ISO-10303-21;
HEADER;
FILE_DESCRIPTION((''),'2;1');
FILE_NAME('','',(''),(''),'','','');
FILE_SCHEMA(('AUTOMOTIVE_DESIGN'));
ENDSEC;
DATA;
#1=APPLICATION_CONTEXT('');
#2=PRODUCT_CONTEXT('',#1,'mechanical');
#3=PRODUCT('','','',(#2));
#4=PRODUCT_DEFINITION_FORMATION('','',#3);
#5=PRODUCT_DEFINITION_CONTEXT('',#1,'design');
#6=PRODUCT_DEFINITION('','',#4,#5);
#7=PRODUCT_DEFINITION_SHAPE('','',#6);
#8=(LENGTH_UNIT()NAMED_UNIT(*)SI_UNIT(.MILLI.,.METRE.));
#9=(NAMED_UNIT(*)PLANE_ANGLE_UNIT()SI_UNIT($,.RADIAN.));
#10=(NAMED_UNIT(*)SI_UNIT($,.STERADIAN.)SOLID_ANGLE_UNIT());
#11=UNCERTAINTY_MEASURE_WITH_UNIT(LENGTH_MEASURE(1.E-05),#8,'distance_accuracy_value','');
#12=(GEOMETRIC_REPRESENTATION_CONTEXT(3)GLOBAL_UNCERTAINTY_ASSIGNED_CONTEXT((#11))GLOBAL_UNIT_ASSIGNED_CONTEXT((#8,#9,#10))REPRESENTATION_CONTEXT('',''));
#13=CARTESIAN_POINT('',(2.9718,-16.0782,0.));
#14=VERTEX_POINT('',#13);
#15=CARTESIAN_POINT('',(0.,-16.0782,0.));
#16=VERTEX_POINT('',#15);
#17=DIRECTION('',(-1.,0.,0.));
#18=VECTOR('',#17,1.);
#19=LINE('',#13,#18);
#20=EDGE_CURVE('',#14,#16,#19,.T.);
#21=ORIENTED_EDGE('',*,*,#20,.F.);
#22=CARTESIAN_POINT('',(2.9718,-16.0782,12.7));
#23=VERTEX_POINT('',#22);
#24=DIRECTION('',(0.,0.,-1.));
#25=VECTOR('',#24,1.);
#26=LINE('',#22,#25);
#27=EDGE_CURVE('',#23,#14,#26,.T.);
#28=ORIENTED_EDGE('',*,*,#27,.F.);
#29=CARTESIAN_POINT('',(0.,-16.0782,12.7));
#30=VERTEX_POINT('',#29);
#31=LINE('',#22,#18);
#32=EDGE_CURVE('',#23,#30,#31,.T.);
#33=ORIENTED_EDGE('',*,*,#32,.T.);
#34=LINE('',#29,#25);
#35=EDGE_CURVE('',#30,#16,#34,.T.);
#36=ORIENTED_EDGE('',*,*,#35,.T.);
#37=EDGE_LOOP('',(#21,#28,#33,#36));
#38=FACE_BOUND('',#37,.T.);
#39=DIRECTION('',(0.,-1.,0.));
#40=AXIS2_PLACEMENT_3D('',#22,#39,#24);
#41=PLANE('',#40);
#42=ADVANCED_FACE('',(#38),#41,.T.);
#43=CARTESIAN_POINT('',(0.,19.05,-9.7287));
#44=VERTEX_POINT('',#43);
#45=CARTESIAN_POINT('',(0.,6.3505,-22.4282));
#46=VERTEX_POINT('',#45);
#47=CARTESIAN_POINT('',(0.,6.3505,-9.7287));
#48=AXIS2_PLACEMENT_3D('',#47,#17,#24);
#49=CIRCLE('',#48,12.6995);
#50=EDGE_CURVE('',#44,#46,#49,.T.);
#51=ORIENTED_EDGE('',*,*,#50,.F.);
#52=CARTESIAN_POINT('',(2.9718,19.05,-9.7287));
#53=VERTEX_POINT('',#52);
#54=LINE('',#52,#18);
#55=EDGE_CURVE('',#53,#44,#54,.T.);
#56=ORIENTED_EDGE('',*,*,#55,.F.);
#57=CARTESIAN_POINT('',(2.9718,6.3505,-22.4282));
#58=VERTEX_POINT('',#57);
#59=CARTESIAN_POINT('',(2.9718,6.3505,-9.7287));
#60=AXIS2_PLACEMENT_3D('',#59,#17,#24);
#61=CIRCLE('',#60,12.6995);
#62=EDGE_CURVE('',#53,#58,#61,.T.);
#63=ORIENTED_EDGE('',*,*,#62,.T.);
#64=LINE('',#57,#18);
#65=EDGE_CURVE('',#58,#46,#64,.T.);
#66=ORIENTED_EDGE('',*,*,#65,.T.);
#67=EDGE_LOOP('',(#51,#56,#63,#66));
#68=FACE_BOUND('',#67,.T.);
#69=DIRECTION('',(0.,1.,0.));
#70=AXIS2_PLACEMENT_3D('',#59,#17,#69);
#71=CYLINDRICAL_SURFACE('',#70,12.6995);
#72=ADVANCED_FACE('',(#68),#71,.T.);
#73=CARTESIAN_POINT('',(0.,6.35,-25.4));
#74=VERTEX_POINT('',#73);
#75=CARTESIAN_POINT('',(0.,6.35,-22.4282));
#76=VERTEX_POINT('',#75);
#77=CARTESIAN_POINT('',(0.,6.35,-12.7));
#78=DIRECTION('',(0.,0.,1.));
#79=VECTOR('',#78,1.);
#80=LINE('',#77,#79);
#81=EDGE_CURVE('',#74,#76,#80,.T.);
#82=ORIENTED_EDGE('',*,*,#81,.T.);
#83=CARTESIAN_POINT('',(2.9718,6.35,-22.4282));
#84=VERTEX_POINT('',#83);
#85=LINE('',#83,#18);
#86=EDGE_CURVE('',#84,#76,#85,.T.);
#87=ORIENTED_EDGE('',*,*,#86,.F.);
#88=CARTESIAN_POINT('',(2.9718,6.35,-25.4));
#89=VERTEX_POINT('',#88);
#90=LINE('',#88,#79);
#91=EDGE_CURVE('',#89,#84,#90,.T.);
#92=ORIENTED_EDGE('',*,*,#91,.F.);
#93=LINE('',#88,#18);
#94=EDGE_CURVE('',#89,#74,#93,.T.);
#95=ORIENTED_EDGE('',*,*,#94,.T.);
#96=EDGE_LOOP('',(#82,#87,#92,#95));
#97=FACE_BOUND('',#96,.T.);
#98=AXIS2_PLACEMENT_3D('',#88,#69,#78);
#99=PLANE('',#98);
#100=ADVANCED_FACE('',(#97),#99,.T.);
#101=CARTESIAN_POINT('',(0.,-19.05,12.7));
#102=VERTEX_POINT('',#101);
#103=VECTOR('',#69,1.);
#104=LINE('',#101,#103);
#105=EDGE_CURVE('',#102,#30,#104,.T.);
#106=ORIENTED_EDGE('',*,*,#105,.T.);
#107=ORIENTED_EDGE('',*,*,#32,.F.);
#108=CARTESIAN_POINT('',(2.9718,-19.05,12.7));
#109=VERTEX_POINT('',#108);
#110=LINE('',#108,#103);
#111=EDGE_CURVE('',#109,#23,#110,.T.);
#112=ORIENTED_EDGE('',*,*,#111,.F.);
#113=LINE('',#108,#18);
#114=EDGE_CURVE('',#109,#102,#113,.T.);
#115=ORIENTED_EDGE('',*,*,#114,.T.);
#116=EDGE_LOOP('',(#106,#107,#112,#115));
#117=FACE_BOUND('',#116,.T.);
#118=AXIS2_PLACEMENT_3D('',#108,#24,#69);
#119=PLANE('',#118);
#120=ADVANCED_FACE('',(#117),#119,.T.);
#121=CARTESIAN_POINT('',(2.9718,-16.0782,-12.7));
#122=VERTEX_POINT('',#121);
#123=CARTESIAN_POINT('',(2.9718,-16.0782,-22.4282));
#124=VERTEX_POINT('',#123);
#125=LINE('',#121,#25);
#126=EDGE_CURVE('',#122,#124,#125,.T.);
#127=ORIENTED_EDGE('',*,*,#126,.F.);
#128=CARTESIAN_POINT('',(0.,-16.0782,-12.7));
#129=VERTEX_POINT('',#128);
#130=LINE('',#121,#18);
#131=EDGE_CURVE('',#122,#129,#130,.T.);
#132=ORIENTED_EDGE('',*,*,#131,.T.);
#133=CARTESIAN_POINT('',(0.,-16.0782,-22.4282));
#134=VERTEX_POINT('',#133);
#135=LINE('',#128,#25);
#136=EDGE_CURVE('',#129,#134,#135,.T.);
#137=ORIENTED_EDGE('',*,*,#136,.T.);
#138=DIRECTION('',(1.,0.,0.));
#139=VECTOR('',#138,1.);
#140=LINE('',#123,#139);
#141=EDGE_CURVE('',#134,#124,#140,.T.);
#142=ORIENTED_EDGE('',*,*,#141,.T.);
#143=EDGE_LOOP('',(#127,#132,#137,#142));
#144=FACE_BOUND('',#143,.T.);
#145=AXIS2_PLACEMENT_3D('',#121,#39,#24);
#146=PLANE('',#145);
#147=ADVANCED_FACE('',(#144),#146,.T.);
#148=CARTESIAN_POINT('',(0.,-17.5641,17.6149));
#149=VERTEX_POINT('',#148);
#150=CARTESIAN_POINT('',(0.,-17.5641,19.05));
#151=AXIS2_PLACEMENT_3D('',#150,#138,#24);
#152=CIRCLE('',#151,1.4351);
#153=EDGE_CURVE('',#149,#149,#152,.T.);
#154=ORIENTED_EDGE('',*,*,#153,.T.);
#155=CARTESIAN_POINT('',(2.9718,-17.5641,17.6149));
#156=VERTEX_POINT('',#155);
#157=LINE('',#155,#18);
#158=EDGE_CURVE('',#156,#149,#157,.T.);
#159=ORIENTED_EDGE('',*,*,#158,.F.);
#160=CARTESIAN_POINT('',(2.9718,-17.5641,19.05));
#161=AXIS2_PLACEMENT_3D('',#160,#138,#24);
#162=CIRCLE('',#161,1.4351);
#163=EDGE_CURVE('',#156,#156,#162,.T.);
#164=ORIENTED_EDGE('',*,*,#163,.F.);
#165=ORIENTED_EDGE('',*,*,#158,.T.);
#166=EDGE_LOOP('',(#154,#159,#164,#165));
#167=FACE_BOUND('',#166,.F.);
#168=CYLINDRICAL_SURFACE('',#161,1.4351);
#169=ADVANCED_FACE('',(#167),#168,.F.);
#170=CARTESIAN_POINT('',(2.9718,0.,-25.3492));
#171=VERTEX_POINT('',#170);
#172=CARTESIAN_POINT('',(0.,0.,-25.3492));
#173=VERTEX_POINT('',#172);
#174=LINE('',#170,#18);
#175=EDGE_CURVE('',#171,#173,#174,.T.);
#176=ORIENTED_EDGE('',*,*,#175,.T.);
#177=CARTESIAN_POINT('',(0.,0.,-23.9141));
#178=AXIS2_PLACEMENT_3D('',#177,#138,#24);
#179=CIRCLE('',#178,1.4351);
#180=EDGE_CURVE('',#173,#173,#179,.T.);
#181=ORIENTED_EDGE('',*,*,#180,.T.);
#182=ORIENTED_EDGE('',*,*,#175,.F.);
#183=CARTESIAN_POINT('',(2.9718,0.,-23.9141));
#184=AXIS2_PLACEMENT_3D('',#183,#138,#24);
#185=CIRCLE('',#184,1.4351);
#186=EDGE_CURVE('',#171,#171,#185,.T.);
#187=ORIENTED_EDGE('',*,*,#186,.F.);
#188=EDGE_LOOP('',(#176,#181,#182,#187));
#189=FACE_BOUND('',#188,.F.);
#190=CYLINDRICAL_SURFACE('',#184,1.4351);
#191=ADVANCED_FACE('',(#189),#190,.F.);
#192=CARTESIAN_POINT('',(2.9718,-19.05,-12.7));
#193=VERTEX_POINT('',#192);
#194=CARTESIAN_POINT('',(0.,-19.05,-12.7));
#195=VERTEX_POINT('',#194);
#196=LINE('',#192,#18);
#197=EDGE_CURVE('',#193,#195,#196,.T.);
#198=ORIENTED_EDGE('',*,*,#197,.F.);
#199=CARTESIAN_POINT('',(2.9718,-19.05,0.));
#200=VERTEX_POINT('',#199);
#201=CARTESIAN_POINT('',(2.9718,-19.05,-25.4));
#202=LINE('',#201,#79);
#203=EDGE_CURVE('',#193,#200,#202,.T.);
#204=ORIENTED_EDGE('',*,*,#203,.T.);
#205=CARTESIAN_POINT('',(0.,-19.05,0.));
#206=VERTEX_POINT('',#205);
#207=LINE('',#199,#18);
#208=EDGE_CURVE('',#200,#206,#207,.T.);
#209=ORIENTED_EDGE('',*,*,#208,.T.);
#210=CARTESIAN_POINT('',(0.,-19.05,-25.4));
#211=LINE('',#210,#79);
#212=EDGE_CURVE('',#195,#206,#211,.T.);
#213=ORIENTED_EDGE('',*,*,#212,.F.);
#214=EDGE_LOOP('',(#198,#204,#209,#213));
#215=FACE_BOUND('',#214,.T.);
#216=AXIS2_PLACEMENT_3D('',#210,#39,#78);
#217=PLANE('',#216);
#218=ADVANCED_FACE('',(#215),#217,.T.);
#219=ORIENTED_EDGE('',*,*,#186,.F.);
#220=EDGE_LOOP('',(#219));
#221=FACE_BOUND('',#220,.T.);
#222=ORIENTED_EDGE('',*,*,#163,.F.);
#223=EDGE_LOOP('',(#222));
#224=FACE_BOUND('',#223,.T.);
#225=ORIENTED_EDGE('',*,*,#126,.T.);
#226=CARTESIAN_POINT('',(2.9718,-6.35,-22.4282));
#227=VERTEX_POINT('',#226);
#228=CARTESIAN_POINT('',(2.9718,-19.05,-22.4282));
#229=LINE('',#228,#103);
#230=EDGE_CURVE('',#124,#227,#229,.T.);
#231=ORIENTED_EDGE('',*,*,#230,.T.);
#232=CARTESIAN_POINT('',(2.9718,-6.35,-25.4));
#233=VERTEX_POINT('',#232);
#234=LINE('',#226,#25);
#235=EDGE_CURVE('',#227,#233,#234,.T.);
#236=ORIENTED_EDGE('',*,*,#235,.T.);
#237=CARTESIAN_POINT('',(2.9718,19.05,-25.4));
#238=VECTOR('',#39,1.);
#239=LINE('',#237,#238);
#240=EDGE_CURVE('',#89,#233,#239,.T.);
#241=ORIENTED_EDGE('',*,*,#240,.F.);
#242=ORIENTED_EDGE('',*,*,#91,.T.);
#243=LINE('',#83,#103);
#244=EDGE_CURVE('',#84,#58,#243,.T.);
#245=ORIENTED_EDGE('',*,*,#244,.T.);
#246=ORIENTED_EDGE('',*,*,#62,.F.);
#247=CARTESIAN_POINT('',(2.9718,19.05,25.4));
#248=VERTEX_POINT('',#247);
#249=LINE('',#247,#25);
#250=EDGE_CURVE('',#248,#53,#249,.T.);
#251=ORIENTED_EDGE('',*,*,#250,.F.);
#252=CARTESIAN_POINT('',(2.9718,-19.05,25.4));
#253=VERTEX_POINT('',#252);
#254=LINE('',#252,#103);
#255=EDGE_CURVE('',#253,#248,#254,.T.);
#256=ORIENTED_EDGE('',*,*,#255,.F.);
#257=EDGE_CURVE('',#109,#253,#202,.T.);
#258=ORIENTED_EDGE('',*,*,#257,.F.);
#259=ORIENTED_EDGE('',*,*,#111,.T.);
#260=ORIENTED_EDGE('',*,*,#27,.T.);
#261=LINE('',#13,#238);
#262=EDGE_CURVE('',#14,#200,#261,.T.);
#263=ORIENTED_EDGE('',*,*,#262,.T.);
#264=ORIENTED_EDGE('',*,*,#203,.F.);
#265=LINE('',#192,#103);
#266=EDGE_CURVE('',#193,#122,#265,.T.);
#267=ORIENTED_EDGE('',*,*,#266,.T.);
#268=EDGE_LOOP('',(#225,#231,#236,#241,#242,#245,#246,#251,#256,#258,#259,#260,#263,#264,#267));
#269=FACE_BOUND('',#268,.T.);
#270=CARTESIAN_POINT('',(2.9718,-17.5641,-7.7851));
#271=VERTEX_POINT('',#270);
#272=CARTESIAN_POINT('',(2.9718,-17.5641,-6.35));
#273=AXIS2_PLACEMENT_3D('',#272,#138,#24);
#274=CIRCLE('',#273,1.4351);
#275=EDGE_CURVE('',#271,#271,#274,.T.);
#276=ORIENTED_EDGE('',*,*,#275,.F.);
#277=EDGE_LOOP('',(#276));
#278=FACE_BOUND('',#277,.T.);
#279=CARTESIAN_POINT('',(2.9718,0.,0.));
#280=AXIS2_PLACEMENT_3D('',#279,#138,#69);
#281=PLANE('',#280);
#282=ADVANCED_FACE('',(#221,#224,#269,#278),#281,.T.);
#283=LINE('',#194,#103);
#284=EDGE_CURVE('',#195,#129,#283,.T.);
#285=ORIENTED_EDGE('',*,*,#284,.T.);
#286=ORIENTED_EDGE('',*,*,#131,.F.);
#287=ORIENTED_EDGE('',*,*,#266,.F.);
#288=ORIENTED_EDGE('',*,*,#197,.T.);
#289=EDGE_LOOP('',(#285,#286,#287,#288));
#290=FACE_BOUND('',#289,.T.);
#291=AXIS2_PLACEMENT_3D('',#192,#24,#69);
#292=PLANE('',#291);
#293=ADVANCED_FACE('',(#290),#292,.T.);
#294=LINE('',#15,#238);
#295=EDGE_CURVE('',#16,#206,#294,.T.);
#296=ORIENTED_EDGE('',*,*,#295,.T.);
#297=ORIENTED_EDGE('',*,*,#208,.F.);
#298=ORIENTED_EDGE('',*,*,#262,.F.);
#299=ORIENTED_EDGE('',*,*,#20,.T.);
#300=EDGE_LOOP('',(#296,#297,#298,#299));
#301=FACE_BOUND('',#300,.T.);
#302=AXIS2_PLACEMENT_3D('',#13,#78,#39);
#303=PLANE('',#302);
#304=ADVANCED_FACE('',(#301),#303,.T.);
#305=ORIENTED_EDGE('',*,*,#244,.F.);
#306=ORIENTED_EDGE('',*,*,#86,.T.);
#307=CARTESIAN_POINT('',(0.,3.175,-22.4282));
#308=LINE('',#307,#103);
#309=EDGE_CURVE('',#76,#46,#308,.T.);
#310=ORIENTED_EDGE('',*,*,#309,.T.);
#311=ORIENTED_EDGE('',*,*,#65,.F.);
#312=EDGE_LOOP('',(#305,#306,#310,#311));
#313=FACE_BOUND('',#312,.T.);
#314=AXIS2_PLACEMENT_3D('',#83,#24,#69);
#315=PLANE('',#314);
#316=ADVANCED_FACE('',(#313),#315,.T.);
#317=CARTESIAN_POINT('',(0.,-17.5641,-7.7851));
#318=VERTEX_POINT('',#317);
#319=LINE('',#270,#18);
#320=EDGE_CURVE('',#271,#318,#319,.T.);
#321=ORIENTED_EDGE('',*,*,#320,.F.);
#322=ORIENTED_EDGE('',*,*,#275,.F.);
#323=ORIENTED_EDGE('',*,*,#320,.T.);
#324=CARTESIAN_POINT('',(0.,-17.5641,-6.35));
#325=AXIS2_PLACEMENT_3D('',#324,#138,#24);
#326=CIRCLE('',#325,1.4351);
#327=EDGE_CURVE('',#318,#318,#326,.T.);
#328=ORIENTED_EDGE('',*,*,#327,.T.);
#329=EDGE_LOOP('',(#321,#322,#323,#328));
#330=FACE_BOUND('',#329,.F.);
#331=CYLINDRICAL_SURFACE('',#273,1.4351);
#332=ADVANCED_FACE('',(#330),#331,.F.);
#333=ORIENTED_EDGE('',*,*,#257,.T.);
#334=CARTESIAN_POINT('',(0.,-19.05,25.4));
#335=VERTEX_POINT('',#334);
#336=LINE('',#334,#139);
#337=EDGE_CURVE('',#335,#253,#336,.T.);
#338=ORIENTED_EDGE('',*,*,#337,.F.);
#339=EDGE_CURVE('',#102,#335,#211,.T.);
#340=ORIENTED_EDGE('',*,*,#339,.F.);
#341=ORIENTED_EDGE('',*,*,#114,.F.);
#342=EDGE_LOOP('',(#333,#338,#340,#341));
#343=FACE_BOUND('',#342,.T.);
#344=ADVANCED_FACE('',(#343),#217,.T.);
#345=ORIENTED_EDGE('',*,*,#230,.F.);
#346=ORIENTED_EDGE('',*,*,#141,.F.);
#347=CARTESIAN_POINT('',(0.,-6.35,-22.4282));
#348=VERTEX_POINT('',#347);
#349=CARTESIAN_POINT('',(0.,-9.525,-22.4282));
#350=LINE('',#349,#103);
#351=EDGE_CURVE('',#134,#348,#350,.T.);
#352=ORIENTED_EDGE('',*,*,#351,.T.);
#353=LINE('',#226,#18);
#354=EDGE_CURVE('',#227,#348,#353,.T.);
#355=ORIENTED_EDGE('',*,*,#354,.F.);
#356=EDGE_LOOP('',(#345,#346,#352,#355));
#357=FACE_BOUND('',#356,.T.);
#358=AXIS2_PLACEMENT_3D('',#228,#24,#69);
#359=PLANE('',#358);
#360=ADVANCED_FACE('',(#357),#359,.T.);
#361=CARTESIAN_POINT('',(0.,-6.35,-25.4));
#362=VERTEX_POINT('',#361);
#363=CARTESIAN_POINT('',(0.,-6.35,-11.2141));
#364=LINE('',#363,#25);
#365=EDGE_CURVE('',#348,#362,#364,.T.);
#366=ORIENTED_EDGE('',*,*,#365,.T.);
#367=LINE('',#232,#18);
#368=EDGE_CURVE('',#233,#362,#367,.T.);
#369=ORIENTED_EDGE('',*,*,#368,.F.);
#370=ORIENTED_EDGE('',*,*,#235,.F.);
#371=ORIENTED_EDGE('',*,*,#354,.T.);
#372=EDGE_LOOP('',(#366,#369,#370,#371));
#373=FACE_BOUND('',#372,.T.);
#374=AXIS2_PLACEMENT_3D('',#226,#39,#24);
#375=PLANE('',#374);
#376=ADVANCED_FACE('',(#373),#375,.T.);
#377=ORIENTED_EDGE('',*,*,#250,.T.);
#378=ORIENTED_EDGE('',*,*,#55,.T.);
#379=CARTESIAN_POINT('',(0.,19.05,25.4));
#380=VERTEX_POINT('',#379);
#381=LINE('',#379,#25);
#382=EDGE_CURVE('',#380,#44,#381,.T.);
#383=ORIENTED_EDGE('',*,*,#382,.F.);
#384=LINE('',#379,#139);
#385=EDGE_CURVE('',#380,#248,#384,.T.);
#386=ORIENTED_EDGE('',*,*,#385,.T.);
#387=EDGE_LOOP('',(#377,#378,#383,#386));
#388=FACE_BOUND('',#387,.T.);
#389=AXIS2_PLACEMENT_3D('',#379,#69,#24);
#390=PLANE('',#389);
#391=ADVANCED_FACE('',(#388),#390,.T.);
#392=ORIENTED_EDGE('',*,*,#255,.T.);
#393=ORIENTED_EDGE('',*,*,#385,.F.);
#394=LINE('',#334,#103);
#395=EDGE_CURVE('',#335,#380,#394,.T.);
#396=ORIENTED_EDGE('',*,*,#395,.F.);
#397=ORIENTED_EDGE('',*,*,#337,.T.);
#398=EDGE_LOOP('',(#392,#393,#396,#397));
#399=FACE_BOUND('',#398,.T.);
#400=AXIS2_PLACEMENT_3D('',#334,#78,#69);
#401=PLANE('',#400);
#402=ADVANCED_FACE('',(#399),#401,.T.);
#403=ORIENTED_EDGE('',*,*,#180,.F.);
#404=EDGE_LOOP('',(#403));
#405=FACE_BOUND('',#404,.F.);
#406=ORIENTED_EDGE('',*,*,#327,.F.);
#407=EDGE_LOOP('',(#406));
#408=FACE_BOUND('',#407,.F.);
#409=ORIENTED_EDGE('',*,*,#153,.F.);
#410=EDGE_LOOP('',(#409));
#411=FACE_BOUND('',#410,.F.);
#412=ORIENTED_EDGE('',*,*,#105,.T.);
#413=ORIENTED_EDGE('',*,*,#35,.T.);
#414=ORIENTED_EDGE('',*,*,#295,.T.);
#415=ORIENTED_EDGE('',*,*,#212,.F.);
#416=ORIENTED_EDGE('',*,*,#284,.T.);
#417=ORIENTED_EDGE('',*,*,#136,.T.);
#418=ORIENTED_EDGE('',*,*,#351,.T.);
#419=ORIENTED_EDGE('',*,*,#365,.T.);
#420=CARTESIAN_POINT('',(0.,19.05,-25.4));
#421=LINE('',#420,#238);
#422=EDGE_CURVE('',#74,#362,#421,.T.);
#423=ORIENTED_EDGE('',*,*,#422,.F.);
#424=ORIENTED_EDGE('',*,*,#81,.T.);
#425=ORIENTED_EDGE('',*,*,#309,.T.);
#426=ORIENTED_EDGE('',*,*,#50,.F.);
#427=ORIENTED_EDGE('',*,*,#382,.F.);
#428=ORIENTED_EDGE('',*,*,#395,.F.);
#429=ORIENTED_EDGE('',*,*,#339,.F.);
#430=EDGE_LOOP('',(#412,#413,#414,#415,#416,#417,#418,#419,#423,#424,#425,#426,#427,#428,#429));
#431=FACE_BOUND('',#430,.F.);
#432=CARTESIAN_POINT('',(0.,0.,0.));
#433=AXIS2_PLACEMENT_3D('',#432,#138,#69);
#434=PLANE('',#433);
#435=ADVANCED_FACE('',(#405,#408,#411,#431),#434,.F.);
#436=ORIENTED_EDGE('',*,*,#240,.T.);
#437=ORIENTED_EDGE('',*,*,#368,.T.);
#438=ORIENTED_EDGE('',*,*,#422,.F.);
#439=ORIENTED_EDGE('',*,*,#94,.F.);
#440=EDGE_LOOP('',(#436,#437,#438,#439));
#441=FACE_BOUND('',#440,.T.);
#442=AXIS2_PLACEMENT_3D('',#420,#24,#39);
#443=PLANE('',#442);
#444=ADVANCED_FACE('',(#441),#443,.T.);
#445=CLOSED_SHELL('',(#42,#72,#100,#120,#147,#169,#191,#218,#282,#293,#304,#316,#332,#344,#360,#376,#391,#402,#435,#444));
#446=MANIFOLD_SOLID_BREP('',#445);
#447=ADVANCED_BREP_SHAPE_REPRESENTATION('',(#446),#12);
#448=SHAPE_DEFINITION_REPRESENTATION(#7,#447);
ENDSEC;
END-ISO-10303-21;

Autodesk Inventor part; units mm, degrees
ref_plane "YZ Plane" through (0, 0, 0) normal (1, 0, 0) x (0, 1, 0)
ref_plane "XZ Plane" through (0, 0, 0) normal (0, 1, 0) x (-1, 0, 0)
ref_plane "XY Plane" through (0, 0, 0) normal (0, 0, 1) x (1, 0, 0)
sketch "Sketch1" plane through (0, 0, 0) normal (1, 0, 0) x (0, 1, 0)
  line L0 (-19.05, 25.4) -> (19.05, 25.4)
  line L1 (19.05, 25.4) -> (19.05, -25.4)
  line L2 (19.05, -25.4) -> (-19.05, -25.4)
  line L3 (-19.05, -25.4) -> (-19.05, 25.4)
  line L4 (-19.05, 25.4) -> (19.05, -25.4) construction
  line L5 (19.05, 25.4) -> (-19.05, -25.4) construction
  point P0 (0, 0)
  dimension "d0" = 38.1
  dimension "d1" = 50.8
extrude "Extrusion1" add sketch "Sketch1" along normal blind 2.9718
sketch "Sketch2" plane through (2.9718, 0, 0) normal (1, 0, 0) x (0, 0, -1)
  line L0 (-25.4, -19.05) -> (25.4, -19.05) projected
  line L1 (25.4, -19.05) -> (12.7, -19.05)
  line L2 (12.7, -19.05) -> (12.7, -16.0782)
  line L3 (12.7, -16.0782) -> (25.4, -16.0782)
  line L4 (25.4, -16.0782) -> (25.4, -19.05)
  line L5 (0, -19.05) -> (-12.7, -19.05)
  line L6 (-12.7, -19.05) -> (-12.7, -16.0782)
  line L7 (-12.7, -16.0782) -> (0, -16.0782)
  line L8 (0, -16.0782) -> (0, -19.05)
  point P0 (0, 0)
  dimension "d4" = 12.7
  dimension "d5" = 2.9718
  dimension "d6" = 12.7
extrude "Extrusion2" cut sketch "Sketch2" against normal blind 2.9718
sketch "Sketch3" plane through (2.9718, 0, 0) normal (1, 0, 0) x (0, 0, -1)
  line L0 (25.4, -19.05) -> (22.4282, -19.05)
  line L1 (22.4282, -19.05) -> (22.4282, -6.35)
  line L2 (22.4282, -6.35) -> (25.4, -6.35)
  line L3 (25.4, -6.35) -> (25.4, -19.05)
  line L4 (0, -19.05) -> (12.7, -19.05) projected
  line L5 (25.4, -16.0782) -> (25.4, 19.05) projected
  line L6 (25.4, 6.35) -> (22.4282, 6.35)
  line L7 (22.4282, 6.35) -> (22.4282, 19.05)
  line L8 (22.4282, 19.05) -> (25.4, 19.05)
  line L9 (25.4, 19.05) -> (25.4, 6.35)
  point P0 (0, 0)
  point P1 (25.4, 9.3218)
  dimension "d9" = 0
  dimension "d10" = 0
  dimension "d11" = 12.7
  dimension "d12" = 2.9718
  dimension "d15" = 25.4
extrude "Extrusion3" cut sketch "Sketch3" against normal blind 25.4
fillet "Fillet1" radius 12.7 1 edges at (1.4859, 19.05, -22.4282)
sketch "Sketch4" plane through (2.9718, 0, 0) normal (1, 0, 0) x (0, 0, -1)
  circle A0 centre (23.9141, 0) radius 1.4351
  line L0 (25.4, -6.35) -> (25.4, 6.35) projected
  circle A1 centre (6.35, -17.5641) radius 1.4351
  circle A2 centre (-19.05, -17.5641) radius 1.4351
  line L1 (22.4282, -6.35) -> (25.4, -6.35) projected
  line L2 (12.7, -19.05) -> (12.7, -16.0782) projected
  line L3 (0, -19.05) -> (12.7, -19.05) projected
  line L4 (-25.4, -19.05) -> (-12.7, -19.05) projected
  line L5 (-12.7, -19.05) -> (-12.7, -16.0782) projected
  point P0 (0, 0)
  dimension "d23" = 2.8702
  dimension "d24" = 1.4859
  dimension "d25" = 2.8702
  dimension "d26" = 2.8702
  dimension "d27" = 6.35
  dimension "d28" = 6.35
  dimension "d29" = 1.4859
  dimension "d30" = 1.4859
  dimension "d31" = 6.35
extrude "Extrusion4" cut sketch "Sketch4" against normal blind 25.4
properties part number "side1"
